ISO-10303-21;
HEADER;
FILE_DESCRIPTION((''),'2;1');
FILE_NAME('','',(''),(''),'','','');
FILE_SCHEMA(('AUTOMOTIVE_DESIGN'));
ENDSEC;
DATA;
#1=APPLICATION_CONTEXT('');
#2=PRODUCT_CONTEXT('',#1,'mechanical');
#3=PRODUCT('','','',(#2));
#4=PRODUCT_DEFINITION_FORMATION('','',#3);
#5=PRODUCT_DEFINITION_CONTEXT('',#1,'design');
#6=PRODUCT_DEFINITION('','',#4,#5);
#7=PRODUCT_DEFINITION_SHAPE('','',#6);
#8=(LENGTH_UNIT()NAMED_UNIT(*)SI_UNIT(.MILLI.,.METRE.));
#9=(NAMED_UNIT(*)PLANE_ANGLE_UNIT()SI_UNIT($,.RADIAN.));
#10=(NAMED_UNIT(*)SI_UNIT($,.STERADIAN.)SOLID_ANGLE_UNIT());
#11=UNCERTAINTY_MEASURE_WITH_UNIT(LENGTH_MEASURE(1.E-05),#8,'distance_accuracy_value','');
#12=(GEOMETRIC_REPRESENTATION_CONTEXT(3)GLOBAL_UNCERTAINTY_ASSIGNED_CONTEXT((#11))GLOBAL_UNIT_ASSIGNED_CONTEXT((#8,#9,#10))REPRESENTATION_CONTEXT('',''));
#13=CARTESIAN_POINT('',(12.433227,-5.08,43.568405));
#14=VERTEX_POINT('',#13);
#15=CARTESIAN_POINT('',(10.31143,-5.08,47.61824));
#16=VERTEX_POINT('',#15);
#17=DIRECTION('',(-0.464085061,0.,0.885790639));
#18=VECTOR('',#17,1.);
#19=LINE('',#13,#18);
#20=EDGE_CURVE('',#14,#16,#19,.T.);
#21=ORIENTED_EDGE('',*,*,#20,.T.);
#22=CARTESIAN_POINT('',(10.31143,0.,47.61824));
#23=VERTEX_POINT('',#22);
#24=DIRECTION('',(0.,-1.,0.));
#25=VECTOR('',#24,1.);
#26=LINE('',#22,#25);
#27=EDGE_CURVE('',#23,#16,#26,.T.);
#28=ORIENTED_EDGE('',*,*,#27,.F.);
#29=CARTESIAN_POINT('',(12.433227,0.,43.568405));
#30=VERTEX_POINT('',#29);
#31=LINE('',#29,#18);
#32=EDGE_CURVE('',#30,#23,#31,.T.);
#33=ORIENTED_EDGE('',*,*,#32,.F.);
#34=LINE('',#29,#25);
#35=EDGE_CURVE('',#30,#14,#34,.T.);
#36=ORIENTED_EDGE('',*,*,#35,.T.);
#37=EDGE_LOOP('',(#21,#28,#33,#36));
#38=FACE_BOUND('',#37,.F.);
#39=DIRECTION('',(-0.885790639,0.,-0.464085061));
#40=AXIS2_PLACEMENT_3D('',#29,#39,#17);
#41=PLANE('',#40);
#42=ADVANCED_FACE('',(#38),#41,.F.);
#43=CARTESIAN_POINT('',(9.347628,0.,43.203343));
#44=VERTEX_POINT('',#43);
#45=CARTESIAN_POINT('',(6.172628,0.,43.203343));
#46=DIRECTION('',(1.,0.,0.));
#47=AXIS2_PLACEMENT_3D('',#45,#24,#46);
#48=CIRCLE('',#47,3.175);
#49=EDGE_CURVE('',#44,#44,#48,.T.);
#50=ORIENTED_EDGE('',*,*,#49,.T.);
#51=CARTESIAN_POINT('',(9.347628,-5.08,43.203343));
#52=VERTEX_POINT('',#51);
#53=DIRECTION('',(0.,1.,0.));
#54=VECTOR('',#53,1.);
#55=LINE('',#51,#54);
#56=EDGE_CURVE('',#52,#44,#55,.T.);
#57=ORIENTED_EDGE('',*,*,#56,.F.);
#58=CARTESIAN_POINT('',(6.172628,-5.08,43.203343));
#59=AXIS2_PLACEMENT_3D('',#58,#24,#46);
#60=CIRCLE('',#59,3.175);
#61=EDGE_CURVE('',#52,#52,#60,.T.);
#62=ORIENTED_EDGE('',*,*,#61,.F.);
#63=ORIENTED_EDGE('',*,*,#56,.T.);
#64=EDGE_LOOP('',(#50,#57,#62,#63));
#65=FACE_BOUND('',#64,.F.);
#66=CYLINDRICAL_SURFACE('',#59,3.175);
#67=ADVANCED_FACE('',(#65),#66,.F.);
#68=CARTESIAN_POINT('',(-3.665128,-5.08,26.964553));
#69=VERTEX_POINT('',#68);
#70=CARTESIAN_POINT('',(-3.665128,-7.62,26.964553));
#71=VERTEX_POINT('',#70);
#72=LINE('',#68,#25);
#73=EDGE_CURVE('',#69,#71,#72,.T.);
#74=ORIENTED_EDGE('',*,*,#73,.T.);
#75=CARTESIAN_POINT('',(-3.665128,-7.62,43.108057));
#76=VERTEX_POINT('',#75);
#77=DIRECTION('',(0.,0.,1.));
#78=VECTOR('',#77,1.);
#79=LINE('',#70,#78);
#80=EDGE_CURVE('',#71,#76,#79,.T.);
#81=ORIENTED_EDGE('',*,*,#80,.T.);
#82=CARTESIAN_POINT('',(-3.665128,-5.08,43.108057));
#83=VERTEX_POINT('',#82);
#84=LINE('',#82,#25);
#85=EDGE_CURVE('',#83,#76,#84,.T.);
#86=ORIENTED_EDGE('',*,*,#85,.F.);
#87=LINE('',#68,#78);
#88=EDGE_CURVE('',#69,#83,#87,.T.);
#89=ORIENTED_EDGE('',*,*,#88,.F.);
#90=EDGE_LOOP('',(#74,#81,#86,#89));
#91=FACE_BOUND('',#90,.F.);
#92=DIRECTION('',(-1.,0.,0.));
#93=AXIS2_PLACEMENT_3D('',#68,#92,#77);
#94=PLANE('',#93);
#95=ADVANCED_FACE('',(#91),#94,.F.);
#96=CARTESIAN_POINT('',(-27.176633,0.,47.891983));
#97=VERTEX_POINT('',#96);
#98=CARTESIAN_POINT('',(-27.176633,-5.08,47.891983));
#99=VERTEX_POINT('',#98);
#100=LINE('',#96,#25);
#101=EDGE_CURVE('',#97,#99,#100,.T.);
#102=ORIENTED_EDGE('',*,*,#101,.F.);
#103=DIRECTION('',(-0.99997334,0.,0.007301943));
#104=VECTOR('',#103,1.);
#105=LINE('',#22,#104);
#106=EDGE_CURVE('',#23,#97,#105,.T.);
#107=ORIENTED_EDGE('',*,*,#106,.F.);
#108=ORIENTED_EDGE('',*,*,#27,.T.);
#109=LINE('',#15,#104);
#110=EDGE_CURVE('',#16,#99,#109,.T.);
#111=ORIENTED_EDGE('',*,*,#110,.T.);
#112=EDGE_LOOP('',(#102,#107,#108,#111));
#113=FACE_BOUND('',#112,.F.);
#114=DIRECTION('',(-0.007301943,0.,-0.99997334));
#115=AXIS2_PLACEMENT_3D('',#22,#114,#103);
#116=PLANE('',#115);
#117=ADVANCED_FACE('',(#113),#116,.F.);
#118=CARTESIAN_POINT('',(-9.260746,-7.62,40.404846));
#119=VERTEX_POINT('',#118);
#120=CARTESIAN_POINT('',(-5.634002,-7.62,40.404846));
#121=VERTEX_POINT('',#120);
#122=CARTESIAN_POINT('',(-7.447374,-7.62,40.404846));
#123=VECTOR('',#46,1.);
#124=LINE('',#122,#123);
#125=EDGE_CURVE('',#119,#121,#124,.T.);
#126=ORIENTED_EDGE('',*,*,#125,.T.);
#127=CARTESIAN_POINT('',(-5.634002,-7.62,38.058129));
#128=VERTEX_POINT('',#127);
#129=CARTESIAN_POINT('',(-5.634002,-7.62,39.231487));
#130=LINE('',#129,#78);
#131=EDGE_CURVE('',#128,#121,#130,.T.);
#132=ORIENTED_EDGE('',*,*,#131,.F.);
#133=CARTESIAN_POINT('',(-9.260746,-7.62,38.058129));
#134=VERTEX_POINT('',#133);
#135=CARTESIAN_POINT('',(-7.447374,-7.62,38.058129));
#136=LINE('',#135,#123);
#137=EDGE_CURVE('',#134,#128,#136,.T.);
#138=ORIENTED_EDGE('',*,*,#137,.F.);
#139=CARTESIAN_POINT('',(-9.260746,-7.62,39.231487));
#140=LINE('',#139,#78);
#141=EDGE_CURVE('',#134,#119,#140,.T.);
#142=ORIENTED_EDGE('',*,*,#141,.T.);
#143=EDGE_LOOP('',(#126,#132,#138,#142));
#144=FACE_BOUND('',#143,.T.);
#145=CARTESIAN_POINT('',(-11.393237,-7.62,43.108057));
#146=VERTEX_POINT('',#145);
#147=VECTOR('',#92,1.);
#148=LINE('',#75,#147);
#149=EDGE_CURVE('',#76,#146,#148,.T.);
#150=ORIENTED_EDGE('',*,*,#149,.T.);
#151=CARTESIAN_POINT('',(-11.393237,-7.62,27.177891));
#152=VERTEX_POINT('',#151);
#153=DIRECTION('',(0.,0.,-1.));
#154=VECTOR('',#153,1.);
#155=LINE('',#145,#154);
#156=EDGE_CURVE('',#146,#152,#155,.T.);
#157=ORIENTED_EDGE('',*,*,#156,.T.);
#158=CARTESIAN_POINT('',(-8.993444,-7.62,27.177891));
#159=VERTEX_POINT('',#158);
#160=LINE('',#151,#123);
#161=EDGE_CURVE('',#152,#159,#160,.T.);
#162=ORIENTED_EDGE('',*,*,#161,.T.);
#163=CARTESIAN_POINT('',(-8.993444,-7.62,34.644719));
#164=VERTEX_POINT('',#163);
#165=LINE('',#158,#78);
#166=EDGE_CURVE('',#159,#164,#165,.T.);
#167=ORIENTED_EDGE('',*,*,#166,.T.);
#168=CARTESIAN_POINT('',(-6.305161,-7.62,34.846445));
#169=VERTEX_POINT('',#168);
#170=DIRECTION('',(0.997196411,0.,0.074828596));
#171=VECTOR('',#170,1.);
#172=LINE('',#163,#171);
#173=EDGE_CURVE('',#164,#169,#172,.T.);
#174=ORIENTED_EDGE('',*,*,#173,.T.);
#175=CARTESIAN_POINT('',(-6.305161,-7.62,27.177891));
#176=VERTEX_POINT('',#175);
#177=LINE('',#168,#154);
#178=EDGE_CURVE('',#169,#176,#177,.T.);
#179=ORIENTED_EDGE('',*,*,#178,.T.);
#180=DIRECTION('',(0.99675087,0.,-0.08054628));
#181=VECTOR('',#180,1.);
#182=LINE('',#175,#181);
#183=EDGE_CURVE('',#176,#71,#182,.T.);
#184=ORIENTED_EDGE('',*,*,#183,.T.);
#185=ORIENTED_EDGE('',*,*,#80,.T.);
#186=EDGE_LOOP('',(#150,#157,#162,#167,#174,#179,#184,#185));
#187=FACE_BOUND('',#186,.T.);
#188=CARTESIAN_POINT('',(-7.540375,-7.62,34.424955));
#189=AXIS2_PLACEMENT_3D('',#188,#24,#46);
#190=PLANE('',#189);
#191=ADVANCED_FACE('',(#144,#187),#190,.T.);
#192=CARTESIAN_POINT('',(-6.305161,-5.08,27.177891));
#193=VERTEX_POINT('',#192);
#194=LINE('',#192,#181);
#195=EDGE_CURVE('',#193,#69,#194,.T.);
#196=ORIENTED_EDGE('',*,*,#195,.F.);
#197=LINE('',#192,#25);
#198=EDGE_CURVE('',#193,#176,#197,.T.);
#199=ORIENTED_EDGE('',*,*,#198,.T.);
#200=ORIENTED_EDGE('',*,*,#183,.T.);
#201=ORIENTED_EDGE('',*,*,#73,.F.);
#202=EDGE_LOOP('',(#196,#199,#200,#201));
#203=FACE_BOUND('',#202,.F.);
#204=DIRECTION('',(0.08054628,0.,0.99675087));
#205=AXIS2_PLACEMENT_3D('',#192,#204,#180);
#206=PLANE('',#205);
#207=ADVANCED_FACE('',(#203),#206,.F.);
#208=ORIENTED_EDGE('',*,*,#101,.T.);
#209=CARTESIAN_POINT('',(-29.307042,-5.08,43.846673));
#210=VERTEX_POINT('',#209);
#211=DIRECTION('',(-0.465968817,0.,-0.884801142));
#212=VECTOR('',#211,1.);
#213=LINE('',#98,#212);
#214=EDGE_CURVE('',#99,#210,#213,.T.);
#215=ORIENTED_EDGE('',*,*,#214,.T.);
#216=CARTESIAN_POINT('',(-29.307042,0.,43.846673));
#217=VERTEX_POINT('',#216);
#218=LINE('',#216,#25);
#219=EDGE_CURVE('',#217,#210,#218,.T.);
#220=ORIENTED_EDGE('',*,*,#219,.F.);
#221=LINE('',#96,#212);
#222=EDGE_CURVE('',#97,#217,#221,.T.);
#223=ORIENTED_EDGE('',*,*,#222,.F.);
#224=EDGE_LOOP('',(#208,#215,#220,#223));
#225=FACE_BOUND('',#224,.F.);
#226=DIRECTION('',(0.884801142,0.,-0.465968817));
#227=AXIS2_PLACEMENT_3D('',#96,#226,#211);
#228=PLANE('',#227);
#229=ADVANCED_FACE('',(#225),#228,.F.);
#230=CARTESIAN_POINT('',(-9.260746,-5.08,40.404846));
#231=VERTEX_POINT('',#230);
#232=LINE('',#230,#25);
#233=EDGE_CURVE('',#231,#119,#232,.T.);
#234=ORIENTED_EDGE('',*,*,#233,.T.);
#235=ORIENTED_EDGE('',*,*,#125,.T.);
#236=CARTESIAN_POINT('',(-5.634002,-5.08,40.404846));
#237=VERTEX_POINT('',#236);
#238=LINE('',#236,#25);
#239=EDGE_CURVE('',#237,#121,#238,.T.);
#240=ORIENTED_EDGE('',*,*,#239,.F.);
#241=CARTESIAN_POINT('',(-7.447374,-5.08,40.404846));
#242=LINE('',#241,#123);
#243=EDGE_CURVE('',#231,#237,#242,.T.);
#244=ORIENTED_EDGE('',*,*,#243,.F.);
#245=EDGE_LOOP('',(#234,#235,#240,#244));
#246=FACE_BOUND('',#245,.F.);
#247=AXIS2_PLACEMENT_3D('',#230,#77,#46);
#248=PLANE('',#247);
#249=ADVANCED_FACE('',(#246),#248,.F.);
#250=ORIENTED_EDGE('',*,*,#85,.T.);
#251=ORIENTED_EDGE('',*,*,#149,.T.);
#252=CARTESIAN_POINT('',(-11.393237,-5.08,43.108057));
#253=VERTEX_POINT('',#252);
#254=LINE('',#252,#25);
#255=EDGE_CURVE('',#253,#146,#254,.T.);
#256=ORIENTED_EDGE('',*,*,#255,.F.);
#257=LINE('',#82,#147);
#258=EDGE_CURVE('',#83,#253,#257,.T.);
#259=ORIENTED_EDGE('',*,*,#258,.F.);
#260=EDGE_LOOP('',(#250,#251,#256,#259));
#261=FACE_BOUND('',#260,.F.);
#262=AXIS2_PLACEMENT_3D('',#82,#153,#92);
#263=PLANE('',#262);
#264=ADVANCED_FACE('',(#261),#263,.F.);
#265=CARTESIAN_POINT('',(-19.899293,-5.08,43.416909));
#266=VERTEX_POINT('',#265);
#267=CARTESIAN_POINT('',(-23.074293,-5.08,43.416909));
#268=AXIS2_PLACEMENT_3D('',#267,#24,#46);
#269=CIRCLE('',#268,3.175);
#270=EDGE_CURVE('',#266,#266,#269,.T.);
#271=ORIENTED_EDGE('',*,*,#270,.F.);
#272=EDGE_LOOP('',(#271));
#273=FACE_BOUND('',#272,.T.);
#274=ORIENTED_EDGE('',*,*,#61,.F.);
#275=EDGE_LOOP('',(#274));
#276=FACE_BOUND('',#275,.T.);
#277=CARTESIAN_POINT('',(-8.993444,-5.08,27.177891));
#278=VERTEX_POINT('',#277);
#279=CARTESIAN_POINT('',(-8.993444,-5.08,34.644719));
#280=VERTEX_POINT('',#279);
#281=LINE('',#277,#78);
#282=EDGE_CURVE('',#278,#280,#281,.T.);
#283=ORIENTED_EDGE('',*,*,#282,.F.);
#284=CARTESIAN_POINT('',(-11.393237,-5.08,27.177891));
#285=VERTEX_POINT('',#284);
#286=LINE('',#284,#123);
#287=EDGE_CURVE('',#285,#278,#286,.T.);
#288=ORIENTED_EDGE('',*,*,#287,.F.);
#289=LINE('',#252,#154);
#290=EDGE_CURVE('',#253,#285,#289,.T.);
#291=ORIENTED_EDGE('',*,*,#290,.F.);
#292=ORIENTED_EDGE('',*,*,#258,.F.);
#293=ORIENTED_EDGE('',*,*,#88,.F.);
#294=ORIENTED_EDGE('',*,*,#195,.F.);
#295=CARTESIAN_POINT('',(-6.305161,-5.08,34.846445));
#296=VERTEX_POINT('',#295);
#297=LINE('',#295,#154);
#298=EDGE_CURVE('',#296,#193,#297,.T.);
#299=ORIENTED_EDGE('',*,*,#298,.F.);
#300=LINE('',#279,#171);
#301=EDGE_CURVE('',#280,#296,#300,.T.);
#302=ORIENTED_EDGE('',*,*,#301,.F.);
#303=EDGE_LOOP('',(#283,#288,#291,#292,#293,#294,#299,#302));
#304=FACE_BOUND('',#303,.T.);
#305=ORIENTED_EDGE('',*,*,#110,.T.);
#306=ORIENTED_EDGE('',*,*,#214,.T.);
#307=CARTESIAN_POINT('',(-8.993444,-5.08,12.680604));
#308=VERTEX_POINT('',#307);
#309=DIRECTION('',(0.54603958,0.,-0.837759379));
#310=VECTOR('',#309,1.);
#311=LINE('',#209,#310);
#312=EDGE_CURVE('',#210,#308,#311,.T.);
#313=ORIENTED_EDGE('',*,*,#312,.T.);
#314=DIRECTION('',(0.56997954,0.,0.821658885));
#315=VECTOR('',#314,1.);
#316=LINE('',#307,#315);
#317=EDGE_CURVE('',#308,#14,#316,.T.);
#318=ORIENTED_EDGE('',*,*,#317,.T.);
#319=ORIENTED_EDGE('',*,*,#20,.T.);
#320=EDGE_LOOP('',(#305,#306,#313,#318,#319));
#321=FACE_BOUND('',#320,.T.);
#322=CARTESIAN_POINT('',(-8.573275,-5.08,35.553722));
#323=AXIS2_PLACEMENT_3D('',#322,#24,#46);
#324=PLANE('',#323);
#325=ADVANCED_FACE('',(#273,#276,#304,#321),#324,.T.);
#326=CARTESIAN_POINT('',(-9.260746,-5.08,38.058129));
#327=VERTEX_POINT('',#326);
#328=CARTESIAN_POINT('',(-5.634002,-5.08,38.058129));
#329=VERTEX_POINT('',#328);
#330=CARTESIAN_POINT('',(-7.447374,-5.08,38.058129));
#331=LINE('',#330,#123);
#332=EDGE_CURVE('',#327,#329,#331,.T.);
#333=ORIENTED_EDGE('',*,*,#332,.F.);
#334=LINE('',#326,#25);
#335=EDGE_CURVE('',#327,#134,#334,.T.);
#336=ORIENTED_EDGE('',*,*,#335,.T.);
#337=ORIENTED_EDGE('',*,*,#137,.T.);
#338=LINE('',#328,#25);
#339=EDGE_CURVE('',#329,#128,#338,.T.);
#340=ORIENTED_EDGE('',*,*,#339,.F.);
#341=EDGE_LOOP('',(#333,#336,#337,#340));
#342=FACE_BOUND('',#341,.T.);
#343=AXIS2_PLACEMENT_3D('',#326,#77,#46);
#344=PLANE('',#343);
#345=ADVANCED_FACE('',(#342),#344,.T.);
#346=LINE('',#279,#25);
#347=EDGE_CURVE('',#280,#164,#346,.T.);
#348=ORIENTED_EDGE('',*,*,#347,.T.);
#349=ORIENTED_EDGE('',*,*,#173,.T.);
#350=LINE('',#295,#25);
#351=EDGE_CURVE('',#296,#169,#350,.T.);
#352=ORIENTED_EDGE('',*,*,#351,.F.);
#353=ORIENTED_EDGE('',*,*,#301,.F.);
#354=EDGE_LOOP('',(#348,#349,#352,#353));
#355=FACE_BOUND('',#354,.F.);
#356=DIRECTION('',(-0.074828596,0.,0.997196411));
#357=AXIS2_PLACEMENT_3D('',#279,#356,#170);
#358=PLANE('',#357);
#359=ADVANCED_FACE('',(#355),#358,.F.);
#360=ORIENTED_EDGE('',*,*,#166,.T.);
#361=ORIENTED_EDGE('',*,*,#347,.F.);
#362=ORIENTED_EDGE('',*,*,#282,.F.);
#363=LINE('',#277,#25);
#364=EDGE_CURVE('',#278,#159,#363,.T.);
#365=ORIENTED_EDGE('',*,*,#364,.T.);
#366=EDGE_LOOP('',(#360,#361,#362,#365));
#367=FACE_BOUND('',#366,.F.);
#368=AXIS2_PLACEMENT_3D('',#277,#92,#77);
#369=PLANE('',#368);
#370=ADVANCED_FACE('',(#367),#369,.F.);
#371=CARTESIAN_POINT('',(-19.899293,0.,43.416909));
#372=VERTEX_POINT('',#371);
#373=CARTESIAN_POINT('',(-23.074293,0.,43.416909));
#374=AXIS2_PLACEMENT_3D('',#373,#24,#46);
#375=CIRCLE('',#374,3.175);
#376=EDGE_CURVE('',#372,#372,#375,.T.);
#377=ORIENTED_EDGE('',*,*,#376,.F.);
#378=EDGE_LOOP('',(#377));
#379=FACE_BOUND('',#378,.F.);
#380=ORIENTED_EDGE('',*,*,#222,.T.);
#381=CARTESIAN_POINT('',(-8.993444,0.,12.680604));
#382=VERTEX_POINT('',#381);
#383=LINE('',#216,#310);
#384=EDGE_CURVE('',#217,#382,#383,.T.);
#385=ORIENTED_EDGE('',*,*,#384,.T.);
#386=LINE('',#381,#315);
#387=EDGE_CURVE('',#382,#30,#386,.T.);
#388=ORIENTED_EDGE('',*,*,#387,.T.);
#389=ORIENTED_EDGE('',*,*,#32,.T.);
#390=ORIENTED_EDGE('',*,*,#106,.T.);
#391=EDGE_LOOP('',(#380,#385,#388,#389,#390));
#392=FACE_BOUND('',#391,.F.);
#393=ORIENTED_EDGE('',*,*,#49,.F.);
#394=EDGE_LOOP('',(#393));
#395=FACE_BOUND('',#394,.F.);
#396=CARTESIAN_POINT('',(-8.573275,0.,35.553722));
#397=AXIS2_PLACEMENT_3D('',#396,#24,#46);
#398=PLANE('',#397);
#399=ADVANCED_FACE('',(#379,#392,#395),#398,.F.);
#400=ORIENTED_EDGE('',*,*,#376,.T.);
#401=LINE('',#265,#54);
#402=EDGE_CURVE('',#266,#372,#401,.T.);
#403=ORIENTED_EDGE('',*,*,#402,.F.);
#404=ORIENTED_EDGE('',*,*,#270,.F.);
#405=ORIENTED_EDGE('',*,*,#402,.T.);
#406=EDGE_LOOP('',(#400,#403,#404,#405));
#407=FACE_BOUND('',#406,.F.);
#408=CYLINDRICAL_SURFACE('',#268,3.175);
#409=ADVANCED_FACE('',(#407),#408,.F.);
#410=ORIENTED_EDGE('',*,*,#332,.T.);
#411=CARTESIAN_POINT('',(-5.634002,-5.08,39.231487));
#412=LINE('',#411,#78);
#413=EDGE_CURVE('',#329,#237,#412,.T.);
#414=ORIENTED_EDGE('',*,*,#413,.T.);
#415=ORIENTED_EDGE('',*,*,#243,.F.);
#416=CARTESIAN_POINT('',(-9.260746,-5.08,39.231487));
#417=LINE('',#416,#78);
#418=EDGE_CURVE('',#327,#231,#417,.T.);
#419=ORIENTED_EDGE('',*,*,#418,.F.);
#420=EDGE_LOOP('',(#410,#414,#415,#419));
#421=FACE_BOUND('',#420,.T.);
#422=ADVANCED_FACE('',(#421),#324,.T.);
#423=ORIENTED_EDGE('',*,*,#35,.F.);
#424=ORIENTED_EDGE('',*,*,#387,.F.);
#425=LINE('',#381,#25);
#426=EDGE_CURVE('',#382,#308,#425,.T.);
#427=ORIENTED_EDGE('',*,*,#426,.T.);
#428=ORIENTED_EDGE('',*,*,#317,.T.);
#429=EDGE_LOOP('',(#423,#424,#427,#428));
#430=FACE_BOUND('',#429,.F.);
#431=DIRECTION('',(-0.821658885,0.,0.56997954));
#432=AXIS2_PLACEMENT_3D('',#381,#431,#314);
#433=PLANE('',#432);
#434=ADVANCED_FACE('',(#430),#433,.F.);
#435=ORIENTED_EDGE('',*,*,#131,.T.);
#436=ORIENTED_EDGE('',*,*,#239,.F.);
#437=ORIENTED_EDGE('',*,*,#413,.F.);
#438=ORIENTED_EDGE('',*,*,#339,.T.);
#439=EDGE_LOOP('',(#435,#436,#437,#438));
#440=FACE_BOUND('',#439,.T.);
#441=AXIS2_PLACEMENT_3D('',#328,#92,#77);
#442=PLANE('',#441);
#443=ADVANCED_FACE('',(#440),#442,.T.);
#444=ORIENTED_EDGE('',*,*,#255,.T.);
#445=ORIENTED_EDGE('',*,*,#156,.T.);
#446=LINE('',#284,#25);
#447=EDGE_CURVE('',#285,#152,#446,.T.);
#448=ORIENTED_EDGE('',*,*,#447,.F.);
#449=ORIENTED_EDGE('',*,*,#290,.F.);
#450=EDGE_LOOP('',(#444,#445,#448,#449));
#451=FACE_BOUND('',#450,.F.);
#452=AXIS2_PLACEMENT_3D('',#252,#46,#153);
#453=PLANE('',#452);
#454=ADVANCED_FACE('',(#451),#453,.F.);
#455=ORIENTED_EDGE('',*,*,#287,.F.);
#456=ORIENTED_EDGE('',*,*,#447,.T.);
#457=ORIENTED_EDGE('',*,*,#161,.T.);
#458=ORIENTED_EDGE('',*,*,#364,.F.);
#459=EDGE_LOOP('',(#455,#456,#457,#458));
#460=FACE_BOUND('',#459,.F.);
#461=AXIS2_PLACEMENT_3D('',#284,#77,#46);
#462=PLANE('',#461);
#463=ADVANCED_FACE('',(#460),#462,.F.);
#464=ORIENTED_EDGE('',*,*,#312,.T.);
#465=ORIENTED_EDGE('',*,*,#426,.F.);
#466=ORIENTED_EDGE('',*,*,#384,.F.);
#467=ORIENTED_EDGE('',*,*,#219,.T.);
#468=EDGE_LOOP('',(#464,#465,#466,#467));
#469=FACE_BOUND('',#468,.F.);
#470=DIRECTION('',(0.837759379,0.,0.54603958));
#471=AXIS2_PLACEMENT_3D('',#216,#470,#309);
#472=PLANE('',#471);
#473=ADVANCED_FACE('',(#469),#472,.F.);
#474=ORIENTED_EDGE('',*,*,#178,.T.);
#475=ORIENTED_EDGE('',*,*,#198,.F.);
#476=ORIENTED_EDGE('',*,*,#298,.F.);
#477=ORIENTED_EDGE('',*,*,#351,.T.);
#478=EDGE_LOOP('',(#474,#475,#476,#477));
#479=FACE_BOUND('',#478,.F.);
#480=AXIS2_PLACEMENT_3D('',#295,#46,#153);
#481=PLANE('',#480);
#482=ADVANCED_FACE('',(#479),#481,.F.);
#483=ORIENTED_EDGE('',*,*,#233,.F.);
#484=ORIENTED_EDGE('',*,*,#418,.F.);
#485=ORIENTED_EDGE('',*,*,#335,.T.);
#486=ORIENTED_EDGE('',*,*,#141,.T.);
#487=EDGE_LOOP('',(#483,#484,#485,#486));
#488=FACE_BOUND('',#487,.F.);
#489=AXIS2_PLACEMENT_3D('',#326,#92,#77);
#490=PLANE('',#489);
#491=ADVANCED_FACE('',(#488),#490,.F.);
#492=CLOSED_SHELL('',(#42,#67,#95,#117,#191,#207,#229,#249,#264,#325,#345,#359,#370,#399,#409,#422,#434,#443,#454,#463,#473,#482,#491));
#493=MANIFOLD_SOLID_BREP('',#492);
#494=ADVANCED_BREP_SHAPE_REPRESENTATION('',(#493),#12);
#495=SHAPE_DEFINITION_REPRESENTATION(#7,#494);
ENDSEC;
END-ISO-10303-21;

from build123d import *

# Parameters (mm, degrees)
F1_DEPTH = 5.08
F2_R     = 3.175
F3_DEPTH = 5.081
F4_W     = 3.626744
F4_H     = 2.346717
F5_DEPTH = 2.54


with BuildPart() as f1:
    # F0 (on Front) → F1 (new body)
    with BuildSketch(Plane.XZ):
        Polygon((-27.176633, 47.891983), (-29.307042, 43.846673), (-8.993444, 12.680604), (12.433227, 43.568405), (10.31143, 47.61824), align=None)
    extrude(amount=F1_DEPTH)

    # F2 (on face) → F3 (cut, through all)
    with BuildSketch(Plane.XZ.offset(5.08)):
        with Locations((6.172628, 43.203343)):
            Circle(F2_R)
        with Locations((-23.074293, 43.416909)):
            Circle(F2_R)
    extrude(amount=-F3_DEPTH, mode=Mode.SUBTRACT)

    # F4 (on face) → F5 (join)
    with BuildSketch(Plane.XZ.offset(5.08)):
        Polygon((-3.665128, 43.108057), (-11.393237, 43.108057), (-11.393237, 27.177891), (-8.993444, 27.177891), (-8.993444, 34.644719), (-6.305161, 34.846445), (-6.305161, 27.177891), (-3.665128, 26.964553), align=None)
        with Locations((-7.447374, 39.231487)):
            Rectangle(F4_W, F4_H, mode=Mode.SUBTRACT)
    extrude(amount=F5_DEPTH)


solid = f1.part
